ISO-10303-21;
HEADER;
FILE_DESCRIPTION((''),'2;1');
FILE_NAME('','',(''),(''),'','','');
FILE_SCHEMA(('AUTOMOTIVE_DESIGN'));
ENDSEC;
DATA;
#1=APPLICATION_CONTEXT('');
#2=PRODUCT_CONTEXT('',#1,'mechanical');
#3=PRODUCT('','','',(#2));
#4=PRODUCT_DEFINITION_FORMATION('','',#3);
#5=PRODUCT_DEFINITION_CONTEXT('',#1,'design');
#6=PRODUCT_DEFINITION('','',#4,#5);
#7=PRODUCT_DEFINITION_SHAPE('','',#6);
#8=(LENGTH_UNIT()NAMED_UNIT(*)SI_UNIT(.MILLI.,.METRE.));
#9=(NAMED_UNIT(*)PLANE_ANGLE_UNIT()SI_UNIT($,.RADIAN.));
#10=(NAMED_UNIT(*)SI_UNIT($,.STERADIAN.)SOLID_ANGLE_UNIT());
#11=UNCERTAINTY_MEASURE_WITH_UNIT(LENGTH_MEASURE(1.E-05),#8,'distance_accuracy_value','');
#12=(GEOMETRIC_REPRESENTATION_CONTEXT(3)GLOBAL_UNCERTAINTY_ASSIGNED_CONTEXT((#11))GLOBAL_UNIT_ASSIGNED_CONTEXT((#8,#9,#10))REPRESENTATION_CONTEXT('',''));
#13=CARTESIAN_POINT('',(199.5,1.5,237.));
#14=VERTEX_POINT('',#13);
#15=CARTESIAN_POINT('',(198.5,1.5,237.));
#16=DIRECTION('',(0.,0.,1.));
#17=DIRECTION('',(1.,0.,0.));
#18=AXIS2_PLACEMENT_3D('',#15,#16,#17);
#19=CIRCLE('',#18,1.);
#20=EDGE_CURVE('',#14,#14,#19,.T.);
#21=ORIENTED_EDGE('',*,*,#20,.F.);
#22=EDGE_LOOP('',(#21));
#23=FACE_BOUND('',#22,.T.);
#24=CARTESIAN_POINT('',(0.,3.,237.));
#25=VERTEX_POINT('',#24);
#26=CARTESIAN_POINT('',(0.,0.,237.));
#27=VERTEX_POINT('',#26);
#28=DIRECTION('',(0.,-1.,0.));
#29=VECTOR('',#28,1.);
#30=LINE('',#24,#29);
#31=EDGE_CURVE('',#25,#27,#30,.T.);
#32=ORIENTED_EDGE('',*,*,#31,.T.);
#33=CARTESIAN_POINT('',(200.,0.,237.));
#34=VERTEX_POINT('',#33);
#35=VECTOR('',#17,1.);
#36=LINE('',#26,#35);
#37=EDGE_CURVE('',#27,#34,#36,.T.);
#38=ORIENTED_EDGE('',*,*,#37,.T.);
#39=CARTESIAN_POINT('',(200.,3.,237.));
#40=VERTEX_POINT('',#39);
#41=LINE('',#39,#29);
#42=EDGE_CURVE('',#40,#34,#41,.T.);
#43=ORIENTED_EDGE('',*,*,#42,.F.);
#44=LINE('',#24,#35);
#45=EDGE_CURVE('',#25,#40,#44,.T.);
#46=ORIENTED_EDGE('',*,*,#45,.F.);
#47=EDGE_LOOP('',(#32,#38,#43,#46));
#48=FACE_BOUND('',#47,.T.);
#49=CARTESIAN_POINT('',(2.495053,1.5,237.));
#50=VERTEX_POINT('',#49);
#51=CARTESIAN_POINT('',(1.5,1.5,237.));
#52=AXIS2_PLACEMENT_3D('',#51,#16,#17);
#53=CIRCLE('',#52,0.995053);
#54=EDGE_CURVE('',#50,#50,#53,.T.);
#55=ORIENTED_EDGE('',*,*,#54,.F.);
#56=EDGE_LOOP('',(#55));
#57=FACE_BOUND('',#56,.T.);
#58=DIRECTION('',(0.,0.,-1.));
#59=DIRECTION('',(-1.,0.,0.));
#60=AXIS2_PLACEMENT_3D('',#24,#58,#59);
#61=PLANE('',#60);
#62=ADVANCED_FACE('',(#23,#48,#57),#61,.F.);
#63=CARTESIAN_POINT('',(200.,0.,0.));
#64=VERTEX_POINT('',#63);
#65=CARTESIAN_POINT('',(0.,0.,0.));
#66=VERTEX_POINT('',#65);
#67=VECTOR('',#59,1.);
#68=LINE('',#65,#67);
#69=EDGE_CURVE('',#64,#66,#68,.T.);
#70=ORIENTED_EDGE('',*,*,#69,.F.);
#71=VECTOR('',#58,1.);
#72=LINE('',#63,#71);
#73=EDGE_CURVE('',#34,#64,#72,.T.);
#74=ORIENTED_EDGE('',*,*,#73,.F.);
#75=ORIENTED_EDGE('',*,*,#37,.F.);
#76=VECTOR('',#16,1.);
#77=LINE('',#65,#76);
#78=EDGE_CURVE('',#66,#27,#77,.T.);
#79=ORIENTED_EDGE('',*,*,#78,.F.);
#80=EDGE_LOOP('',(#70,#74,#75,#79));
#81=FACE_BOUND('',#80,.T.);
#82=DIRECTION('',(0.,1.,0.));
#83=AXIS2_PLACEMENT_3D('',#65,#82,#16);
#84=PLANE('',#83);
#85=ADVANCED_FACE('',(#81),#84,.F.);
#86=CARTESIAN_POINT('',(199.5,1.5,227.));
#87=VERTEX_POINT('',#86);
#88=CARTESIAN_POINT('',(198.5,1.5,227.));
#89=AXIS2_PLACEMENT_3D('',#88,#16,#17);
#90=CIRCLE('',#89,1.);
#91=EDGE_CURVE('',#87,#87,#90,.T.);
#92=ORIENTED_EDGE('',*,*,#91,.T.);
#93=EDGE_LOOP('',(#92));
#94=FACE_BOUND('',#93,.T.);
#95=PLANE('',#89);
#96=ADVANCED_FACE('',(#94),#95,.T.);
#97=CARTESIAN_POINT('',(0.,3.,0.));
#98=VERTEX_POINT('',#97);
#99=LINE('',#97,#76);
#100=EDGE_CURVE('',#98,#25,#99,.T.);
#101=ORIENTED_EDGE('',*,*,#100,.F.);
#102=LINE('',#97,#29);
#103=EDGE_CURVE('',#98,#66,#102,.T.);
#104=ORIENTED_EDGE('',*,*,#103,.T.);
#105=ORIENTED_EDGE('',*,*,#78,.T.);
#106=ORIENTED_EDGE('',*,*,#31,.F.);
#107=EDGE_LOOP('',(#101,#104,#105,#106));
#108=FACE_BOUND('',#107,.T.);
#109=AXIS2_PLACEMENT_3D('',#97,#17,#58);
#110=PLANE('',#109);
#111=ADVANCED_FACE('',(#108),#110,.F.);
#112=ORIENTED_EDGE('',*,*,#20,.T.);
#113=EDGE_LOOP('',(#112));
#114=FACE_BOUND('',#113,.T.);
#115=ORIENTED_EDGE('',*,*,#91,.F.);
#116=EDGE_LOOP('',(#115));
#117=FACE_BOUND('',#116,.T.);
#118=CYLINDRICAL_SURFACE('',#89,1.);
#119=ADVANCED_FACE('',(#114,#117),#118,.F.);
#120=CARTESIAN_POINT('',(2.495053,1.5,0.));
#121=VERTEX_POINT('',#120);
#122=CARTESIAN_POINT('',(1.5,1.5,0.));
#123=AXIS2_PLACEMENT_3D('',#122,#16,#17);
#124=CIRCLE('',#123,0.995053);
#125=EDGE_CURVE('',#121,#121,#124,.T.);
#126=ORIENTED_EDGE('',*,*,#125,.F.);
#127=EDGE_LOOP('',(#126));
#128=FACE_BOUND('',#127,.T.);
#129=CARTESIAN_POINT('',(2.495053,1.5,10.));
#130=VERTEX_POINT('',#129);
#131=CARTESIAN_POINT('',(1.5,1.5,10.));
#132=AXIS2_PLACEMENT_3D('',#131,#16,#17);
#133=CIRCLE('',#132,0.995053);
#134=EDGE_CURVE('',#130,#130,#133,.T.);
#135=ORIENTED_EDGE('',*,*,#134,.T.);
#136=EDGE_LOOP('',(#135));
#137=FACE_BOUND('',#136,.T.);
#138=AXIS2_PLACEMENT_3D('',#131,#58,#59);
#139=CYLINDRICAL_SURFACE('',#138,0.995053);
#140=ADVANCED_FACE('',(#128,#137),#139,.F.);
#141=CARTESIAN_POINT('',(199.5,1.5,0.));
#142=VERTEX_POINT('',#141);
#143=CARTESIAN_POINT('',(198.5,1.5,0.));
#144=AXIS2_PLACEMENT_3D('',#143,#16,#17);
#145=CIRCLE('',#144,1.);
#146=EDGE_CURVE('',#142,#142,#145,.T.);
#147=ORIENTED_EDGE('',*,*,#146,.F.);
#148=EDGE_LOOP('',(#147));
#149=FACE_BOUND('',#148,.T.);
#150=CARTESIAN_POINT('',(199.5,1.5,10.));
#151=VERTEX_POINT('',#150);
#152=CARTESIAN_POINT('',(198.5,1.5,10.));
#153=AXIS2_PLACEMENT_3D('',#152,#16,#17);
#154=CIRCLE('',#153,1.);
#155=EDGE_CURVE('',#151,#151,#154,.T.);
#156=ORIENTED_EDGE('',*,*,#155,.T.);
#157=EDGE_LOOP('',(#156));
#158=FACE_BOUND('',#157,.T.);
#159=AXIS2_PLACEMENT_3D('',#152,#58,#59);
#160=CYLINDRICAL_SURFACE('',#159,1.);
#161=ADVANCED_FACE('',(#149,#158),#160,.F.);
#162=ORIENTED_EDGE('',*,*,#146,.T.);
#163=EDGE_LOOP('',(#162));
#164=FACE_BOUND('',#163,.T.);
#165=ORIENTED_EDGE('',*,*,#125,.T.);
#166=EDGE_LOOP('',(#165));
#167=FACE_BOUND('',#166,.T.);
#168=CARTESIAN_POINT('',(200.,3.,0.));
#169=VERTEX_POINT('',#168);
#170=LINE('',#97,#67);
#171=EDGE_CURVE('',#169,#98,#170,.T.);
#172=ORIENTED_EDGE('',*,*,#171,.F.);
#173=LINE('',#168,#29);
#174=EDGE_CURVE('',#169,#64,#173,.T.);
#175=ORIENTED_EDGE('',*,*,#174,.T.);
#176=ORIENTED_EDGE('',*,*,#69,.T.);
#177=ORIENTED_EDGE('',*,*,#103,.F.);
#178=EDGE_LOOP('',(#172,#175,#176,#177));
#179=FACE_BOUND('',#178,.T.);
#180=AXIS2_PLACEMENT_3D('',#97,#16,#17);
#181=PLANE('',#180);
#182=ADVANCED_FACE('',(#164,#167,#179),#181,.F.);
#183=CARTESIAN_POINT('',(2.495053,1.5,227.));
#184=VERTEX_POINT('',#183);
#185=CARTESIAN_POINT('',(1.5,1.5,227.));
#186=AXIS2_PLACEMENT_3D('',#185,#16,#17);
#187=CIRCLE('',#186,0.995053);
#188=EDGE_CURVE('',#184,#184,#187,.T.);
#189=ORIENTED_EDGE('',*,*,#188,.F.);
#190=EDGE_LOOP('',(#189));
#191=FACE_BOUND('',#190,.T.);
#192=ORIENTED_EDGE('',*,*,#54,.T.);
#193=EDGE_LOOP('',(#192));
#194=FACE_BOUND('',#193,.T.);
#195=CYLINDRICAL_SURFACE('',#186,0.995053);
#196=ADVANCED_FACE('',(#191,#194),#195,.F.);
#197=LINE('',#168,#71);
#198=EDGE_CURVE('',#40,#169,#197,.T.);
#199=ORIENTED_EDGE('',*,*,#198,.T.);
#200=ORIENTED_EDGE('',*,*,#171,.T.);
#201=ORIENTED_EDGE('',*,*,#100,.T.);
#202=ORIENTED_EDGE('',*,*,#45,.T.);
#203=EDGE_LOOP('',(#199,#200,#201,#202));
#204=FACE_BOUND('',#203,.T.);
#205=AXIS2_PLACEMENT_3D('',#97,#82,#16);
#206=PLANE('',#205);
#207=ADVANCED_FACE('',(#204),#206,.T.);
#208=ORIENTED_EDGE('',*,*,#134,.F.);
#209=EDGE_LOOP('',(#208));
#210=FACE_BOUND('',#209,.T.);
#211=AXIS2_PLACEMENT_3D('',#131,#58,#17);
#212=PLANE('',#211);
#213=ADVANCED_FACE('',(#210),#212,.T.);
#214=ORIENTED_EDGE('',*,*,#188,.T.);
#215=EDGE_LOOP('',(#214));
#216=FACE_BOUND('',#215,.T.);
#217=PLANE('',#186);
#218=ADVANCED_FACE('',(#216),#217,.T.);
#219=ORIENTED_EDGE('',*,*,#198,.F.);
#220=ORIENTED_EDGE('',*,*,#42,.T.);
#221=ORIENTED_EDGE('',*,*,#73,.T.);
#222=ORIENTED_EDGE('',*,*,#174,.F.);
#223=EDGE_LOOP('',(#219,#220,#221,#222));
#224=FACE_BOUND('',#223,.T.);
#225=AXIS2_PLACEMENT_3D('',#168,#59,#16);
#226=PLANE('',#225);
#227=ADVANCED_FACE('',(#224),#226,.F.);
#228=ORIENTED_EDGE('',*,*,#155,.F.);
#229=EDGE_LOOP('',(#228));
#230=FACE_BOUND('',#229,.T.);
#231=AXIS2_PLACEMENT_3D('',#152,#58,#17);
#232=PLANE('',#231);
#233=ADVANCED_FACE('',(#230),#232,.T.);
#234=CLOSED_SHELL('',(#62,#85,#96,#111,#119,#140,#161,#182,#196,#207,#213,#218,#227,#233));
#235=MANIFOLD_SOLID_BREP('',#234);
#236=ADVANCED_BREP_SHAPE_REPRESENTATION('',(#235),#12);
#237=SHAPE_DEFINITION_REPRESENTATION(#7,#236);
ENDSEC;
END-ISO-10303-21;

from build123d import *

# Parameters (mm, degrees)
SKETCH1_W           = 200
SKETCH1_H           = 237
BOSS_EXTRUDE1_DEPTH = 3
SKETCH4_R           = 0.995052607
SKETCH4_R_2         = 1
CUT_EXTRUDE1_DEPTH  = 10


with BuildPart() as part:
    # Sketch1 → Boss-Extrude1 (new body)
    with BuildSketch(Plane(origin=(0, 0, 0), x_dir=(1, 0, 0), z_dir=(0, 1, 0))):
        with Locations((100, -118.5)):
            Rectangle(SKETCH1_W, SKETCH1_H)
    extrude(amount=BOSS_EXTRUDE1_DEPTH)

    # Sketch4 → Cut-Extrude1 (cut)
    with BuildSketch(Plane.XY.offset(237)):
        with Locations((1.5, 1.5)):
            Circle(SKETCH4_R)
        with Locations((198.5, 1.5)):
            Circle(SKETCH4_R_2)
    cut_extrude1 = extrude(amount=-CUT_EXTRUDE1_DEPTH, mode=Mode.SUBTRACT)

    # Mirror1: Cut-Extrude1 across plane
    add(cut_extrude1.mirror(Plane(origin=(0, 0, 118.5), x_dir=(1, 0, 0), z_dir=(0, 0, -1))), mode=Mode.SUBTRACT)


solid = part.part
